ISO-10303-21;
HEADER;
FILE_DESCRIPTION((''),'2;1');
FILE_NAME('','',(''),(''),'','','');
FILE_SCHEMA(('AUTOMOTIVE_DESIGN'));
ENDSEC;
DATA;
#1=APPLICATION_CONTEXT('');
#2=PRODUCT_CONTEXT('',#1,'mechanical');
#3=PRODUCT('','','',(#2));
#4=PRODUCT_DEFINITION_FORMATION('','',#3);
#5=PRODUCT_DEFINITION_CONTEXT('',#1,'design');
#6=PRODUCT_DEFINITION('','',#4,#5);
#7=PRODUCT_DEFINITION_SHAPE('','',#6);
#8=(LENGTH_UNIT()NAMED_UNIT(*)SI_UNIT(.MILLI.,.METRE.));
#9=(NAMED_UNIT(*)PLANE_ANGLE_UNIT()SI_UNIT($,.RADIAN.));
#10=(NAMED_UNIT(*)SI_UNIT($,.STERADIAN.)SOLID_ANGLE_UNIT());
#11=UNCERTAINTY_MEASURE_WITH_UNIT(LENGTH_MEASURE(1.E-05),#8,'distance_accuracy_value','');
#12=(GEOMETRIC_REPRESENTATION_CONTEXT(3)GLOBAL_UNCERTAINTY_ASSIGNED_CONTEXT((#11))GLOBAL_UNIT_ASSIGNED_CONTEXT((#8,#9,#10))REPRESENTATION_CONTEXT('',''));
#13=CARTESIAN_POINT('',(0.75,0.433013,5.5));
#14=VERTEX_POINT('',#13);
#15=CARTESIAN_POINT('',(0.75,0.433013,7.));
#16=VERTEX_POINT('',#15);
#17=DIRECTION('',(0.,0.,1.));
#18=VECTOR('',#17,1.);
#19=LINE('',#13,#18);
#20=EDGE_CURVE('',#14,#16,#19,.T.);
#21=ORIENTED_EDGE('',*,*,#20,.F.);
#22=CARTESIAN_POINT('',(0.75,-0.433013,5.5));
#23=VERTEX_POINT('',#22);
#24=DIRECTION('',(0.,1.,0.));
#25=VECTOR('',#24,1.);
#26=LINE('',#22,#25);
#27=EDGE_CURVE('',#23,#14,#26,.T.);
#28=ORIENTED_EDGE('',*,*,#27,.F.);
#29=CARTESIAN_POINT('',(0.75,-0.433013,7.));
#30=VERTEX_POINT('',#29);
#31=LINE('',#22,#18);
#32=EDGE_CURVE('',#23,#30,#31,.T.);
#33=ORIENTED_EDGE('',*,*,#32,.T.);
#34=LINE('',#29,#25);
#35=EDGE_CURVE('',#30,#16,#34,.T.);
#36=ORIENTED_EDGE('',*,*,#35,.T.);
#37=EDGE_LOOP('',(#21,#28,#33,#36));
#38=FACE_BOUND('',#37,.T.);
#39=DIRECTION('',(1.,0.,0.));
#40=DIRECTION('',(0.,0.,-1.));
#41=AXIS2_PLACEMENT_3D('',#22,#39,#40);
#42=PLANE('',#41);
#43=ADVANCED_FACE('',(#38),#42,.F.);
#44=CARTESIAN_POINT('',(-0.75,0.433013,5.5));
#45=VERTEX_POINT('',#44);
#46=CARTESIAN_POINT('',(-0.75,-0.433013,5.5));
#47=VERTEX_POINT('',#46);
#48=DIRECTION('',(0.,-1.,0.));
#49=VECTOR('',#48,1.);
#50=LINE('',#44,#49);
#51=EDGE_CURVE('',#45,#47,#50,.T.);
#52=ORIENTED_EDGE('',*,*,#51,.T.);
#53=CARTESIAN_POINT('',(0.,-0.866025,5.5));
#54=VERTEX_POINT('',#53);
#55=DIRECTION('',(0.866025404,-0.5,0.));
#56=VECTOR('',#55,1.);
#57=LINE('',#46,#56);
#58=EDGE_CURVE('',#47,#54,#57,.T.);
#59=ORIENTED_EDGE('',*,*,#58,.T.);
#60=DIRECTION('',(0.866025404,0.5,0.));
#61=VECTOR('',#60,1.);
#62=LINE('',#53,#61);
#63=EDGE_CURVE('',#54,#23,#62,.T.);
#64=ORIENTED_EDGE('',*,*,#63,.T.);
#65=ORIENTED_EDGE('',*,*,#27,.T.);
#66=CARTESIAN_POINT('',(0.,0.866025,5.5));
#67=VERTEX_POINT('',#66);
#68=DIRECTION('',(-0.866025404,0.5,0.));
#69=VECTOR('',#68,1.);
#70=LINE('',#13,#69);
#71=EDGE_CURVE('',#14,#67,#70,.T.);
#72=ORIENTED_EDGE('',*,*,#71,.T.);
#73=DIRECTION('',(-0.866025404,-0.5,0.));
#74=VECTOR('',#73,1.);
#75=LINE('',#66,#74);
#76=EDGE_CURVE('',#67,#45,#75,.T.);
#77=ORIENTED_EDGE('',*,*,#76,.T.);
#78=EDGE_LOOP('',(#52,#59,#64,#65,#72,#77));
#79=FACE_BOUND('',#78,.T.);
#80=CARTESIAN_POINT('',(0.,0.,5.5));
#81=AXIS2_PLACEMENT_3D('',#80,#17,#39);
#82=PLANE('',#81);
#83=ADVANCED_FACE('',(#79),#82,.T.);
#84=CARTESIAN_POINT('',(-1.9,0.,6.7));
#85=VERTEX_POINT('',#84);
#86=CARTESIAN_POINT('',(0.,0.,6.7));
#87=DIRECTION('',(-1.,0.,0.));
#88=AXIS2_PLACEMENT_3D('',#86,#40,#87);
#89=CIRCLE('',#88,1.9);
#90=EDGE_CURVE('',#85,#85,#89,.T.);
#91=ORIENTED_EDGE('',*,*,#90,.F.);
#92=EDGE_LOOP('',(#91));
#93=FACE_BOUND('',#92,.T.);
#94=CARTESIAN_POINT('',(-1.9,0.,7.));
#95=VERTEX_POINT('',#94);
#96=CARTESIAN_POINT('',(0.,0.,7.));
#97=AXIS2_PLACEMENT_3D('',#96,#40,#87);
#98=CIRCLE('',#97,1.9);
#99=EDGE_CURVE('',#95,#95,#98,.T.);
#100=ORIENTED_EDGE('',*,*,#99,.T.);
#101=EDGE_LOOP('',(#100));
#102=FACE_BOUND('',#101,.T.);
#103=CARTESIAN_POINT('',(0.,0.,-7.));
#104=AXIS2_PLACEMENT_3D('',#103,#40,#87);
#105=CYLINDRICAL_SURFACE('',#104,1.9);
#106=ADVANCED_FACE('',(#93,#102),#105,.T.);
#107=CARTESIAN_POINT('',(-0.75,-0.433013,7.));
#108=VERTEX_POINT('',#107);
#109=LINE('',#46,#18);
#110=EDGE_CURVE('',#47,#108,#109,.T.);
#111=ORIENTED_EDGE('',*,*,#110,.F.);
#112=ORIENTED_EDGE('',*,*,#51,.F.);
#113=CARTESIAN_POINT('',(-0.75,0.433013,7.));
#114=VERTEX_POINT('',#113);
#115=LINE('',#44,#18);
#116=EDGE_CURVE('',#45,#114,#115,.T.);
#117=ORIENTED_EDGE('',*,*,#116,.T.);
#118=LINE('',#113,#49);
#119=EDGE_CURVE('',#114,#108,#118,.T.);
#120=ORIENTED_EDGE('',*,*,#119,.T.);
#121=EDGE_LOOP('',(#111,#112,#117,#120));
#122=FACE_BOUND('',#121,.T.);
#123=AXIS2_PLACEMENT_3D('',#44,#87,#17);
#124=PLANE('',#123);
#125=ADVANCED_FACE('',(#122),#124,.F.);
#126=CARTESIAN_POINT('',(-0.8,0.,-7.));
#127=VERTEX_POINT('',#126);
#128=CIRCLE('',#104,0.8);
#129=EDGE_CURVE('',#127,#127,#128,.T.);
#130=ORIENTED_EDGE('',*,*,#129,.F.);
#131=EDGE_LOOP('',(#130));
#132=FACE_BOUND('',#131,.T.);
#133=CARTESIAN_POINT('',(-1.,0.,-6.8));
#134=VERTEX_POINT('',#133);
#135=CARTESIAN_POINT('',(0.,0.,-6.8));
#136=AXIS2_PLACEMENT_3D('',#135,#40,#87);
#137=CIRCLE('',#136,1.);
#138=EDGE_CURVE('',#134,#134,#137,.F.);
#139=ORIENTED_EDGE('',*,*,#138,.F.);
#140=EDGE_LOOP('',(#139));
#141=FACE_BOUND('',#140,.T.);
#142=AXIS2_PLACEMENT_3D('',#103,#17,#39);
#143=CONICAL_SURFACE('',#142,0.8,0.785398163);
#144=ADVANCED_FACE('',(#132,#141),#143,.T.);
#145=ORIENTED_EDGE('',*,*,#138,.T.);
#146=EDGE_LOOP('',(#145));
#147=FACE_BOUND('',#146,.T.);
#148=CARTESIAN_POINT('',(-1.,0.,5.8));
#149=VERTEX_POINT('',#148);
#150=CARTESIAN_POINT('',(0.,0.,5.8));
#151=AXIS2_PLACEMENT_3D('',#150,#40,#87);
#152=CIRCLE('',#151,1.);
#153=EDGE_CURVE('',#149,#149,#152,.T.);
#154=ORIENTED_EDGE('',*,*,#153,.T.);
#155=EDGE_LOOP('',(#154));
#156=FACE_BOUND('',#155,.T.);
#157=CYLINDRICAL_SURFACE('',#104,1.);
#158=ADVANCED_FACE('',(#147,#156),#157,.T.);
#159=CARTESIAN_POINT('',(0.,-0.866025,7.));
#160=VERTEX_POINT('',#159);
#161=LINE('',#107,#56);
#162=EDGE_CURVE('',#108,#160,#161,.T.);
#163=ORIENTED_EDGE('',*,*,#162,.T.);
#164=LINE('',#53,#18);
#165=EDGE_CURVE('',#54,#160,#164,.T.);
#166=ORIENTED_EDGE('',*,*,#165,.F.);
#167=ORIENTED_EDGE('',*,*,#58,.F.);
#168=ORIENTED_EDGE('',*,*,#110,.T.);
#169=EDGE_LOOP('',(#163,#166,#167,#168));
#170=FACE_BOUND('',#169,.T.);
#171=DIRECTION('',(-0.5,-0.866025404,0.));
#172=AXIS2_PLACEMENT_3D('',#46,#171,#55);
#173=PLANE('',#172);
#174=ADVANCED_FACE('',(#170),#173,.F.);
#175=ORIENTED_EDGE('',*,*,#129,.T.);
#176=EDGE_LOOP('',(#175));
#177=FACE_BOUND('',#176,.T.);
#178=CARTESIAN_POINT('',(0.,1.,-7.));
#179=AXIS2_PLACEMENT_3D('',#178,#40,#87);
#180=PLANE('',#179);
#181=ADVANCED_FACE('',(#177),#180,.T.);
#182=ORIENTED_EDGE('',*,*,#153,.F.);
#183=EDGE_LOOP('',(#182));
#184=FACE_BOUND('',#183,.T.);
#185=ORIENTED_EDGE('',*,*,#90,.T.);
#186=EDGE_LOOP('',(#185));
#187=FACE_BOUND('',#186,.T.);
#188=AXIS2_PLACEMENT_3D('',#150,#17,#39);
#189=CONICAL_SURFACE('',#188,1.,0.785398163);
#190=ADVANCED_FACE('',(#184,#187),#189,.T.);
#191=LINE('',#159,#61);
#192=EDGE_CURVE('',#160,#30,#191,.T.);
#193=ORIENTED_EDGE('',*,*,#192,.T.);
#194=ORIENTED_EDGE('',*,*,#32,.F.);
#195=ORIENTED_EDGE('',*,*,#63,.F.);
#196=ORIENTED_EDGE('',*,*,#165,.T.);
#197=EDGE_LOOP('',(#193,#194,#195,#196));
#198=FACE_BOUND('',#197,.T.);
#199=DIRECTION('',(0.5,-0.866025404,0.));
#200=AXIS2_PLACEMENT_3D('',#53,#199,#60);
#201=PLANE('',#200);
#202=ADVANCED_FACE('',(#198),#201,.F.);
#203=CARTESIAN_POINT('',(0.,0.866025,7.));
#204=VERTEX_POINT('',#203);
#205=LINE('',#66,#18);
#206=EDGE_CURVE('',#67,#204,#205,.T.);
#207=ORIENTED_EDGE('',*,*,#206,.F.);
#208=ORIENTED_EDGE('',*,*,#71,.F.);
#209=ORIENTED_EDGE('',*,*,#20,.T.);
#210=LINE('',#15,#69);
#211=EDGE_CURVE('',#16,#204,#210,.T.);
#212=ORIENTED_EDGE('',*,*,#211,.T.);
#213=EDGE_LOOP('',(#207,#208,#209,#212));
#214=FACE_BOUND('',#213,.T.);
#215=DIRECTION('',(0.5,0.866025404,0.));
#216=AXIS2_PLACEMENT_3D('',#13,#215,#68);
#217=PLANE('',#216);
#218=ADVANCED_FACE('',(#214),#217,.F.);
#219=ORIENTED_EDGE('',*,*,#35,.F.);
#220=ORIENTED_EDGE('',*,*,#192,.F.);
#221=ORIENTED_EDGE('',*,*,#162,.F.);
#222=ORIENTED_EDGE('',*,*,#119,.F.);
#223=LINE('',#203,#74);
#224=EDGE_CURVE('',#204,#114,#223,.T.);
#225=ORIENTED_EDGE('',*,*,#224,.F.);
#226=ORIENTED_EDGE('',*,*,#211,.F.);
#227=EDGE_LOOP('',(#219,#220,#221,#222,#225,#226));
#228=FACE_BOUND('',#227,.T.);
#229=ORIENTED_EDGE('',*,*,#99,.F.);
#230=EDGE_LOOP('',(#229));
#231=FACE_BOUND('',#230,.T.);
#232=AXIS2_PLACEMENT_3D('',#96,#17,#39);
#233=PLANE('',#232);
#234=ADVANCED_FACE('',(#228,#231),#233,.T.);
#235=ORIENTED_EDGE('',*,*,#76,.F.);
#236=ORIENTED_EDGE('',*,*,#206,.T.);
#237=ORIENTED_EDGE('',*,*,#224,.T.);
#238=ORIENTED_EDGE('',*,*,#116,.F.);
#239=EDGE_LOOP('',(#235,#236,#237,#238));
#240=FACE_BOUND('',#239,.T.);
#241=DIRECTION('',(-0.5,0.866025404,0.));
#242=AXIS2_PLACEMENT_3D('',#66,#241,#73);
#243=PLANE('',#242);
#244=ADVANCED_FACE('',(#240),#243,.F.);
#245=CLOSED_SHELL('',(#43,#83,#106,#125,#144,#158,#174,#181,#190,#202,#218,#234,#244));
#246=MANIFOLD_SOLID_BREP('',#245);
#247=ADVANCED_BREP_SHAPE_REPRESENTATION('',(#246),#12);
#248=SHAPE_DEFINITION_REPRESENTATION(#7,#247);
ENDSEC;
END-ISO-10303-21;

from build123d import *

# Parameters (mm, degrees)
CUT_EXTRUDE_1_DEPTH = 1.5
CHAMFER_1_SIZE      = 0.2


with BuildPart() as part:
    # 草图1 → 旋转1 (revolve)
    with BuildSketch(Plane(origin=(0, 0, 0), x_dir=(0, 0, -1), z_dir=(1, 0, 0)), mode=Mode.PRIVATE) as revolve_1_sk:
        Polygon((7, 0), (-7, 0), (-7, 1.9), (-6.7, 1.9), (-5.8, 1), (7, 1), align=None)
    revolve(revolve_1_sk.sketch.rotate(Axis((0, 0, -7), (0, 0, 1)), 90), axis=Axis((0, 0, -7), (0, 0, 1)))

    # 草图2 → 切除-拉伸1 (cut)
    with BuildSketch(Plane.XY.offset(7)):
        Polygon((0, 0.866025404), (-0.75, 0.433012702), (-0.75, -0.433012702), (0, -0.866025404), (0.75, -0.433012702), (0.75, 0.433012702), align=None)
    extrude(amount=-CUT_EXTRUDE_1_DEPTH, mode=Mode.SUBTRACT)

    # 倒角1
    chamfer_1_edges = [part.edges().sort_by_distance(p)[0] for p in [
        (1, 0, -7),
    ]]
    chamfer(chamfer_1_edges, length=CHAMFER_1_SIZE)


solid = part.part
